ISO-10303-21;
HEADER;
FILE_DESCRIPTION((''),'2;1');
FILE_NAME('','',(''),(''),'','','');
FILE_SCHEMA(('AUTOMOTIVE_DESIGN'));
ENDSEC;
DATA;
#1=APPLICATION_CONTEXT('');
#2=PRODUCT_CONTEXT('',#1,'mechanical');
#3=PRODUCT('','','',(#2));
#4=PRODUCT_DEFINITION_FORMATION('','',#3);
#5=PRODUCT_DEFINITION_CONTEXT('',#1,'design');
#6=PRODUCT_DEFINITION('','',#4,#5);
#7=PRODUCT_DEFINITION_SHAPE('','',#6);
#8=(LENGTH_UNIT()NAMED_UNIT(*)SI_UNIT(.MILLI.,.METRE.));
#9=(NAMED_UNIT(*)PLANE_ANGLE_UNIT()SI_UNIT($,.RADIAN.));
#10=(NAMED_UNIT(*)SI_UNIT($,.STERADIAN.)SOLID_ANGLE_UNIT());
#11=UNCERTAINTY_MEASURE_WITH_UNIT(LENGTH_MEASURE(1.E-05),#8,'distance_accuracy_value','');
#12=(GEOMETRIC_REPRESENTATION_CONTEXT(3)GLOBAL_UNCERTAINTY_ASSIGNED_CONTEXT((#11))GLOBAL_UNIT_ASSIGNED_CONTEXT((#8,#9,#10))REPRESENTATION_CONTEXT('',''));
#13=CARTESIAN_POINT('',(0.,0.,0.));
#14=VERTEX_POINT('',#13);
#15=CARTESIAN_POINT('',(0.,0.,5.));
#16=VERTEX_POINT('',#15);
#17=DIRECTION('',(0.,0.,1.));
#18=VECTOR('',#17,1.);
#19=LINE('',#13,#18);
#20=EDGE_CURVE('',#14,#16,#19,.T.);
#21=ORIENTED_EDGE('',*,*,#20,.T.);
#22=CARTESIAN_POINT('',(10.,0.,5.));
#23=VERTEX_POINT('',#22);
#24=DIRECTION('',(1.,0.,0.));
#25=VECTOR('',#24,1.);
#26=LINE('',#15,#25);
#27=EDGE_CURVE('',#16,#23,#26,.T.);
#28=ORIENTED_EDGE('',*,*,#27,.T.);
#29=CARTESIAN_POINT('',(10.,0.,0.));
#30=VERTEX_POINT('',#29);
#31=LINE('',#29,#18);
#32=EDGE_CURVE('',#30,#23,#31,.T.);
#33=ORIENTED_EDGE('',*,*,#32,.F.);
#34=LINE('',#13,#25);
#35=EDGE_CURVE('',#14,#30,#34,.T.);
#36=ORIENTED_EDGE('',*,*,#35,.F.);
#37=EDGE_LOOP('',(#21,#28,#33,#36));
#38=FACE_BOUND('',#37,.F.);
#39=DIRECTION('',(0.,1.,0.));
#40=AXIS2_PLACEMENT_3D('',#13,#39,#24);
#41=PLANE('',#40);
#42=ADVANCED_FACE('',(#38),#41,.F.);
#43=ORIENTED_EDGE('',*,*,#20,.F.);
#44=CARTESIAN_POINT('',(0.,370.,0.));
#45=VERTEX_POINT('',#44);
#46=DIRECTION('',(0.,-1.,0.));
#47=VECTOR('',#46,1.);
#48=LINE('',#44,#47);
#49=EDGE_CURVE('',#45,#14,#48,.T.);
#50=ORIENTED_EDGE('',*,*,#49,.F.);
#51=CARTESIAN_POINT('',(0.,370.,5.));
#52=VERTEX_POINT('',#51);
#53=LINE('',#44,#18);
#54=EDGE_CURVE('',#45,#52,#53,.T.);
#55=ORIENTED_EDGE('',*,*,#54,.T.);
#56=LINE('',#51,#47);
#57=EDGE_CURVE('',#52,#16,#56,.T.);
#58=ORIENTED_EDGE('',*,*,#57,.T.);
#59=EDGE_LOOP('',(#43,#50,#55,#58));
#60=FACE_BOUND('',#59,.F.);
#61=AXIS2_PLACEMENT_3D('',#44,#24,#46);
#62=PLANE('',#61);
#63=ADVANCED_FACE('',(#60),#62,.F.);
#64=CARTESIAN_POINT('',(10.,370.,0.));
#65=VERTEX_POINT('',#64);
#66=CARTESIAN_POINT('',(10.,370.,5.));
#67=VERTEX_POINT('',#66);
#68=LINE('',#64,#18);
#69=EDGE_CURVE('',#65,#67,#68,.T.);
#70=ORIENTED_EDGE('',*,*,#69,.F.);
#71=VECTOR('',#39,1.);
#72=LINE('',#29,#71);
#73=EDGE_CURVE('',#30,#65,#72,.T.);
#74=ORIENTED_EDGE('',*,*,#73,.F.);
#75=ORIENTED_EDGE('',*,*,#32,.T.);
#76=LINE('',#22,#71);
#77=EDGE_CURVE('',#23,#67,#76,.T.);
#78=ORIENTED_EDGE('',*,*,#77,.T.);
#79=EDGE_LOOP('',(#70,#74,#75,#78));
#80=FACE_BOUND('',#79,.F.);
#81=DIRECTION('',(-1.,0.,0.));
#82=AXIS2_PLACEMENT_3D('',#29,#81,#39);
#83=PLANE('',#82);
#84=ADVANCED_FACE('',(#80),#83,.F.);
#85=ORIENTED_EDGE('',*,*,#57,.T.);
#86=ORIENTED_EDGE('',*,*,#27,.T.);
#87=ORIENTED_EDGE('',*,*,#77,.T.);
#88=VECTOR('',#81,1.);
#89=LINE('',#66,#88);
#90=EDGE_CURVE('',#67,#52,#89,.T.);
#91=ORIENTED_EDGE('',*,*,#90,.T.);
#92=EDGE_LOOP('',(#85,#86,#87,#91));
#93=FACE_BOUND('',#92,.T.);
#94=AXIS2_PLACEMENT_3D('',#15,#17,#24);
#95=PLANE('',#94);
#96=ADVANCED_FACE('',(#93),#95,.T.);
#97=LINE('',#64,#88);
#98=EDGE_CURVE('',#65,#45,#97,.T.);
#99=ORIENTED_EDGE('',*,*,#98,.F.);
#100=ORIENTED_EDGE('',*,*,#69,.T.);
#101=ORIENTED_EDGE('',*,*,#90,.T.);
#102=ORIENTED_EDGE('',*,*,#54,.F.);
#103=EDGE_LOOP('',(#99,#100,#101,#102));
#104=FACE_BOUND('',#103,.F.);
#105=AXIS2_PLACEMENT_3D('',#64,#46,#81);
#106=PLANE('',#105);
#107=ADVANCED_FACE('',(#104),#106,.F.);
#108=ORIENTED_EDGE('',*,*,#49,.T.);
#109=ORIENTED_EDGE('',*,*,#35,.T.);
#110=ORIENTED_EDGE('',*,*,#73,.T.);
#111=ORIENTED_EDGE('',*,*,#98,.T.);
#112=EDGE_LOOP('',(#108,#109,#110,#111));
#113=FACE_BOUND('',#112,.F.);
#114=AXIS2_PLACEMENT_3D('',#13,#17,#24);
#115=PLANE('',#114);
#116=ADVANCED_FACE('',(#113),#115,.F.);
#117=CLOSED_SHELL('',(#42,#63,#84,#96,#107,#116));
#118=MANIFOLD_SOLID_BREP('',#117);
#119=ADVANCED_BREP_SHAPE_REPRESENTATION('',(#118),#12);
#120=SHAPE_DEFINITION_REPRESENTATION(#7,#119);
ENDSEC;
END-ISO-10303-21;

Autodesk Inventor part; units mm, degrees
ref_plane "YZ Plane" through (0, 0, 0) normal (1, 0, 0) x (0, 1, 0)
ref_plane "XZ Plane" through (0, 0, 0) normal (0, 1, 0) x (-1, 0, 0)
ref_plane "XY Plane" through (0, 0, 0) normal (0, 0, 1) x (1, 0, 0)
sketch "Sketch1" plane through (0, 0, 0) normal (0, 0, 1) x (1, 0, 0)
  line L0 (0, 0) -> (10, 0)
  line L1 (10, 0) -> (10, 370)
  line L2 (10, 370) -> (0, 370)
  line L3 (0, 370) -> (0, 0)
  dimension "d0" = 10
  dimension "d1" = 370
extrude "Extrusion1" add sketch "Sketch1" along normal blind 5
equation "\"d0\" = bracketw"
equation "\"d1\" = tankh"
equation "\"d2\" = pvct"
equation "\"lcsd\" = 19.05"
equation "\"lcwd1\" = 25"
equation "\"lcwd2\" = 34"
equation "\"lch1\" = 39"
equation "\"lcwd3\" = 43"
equation "\"dia1\" = 6"
equation "\"td\" = 18"
equation "\"bhh\" = 6"
equation "\"sw\" = 25"
equation "\"sh\" = 31"
equation "\"spacert\" = 2"
equation "\"pvct\" = 5"
equation "\"tankh\" = 370"
equation "\"tankl\" = 379"
equation "\"dia3\" = 8"
equation "\"dia4\" = 11"
equation "\"play\" = 9"
equation "\"holeh\" = 26"
equation "\"surroundt\" = 5"
equation "\"slack\" = 0.5"
equation "\"play2\" = 3"
equation "\"diaoverflow\" = 25"
equation "\"diacucl\" = 32"
equation "\"diawater\" = 25"
equation "\"diaph\" = 32"
equation "\"diaair\" = 32"
equation "\"diasurroundhole\" = 42"
equation "\"diagrate\" = 12"
equation "\"gratespacing\" = 12.02082"
equation "\"bottomdist\" = 9.6355"
equation "\"sidedist\" = 13.9375"
equation "\"diahcl\" = 32"
equation "\"bracketw\" = 10"
equation "\"bracketwtop\" = 6"
equation "\"bracketwbottom\" = 6"
equation "\"nett\" = 1"
equation "\"nethole\" = 16"
equation "\"netside\" = 3.5"
equation "\"nettop\" = 7"
equation "\"netholespacing\" = 2"
equation "\"diaetape\" = 32"
properties part number "tank_front" material "PVC-Piping"
